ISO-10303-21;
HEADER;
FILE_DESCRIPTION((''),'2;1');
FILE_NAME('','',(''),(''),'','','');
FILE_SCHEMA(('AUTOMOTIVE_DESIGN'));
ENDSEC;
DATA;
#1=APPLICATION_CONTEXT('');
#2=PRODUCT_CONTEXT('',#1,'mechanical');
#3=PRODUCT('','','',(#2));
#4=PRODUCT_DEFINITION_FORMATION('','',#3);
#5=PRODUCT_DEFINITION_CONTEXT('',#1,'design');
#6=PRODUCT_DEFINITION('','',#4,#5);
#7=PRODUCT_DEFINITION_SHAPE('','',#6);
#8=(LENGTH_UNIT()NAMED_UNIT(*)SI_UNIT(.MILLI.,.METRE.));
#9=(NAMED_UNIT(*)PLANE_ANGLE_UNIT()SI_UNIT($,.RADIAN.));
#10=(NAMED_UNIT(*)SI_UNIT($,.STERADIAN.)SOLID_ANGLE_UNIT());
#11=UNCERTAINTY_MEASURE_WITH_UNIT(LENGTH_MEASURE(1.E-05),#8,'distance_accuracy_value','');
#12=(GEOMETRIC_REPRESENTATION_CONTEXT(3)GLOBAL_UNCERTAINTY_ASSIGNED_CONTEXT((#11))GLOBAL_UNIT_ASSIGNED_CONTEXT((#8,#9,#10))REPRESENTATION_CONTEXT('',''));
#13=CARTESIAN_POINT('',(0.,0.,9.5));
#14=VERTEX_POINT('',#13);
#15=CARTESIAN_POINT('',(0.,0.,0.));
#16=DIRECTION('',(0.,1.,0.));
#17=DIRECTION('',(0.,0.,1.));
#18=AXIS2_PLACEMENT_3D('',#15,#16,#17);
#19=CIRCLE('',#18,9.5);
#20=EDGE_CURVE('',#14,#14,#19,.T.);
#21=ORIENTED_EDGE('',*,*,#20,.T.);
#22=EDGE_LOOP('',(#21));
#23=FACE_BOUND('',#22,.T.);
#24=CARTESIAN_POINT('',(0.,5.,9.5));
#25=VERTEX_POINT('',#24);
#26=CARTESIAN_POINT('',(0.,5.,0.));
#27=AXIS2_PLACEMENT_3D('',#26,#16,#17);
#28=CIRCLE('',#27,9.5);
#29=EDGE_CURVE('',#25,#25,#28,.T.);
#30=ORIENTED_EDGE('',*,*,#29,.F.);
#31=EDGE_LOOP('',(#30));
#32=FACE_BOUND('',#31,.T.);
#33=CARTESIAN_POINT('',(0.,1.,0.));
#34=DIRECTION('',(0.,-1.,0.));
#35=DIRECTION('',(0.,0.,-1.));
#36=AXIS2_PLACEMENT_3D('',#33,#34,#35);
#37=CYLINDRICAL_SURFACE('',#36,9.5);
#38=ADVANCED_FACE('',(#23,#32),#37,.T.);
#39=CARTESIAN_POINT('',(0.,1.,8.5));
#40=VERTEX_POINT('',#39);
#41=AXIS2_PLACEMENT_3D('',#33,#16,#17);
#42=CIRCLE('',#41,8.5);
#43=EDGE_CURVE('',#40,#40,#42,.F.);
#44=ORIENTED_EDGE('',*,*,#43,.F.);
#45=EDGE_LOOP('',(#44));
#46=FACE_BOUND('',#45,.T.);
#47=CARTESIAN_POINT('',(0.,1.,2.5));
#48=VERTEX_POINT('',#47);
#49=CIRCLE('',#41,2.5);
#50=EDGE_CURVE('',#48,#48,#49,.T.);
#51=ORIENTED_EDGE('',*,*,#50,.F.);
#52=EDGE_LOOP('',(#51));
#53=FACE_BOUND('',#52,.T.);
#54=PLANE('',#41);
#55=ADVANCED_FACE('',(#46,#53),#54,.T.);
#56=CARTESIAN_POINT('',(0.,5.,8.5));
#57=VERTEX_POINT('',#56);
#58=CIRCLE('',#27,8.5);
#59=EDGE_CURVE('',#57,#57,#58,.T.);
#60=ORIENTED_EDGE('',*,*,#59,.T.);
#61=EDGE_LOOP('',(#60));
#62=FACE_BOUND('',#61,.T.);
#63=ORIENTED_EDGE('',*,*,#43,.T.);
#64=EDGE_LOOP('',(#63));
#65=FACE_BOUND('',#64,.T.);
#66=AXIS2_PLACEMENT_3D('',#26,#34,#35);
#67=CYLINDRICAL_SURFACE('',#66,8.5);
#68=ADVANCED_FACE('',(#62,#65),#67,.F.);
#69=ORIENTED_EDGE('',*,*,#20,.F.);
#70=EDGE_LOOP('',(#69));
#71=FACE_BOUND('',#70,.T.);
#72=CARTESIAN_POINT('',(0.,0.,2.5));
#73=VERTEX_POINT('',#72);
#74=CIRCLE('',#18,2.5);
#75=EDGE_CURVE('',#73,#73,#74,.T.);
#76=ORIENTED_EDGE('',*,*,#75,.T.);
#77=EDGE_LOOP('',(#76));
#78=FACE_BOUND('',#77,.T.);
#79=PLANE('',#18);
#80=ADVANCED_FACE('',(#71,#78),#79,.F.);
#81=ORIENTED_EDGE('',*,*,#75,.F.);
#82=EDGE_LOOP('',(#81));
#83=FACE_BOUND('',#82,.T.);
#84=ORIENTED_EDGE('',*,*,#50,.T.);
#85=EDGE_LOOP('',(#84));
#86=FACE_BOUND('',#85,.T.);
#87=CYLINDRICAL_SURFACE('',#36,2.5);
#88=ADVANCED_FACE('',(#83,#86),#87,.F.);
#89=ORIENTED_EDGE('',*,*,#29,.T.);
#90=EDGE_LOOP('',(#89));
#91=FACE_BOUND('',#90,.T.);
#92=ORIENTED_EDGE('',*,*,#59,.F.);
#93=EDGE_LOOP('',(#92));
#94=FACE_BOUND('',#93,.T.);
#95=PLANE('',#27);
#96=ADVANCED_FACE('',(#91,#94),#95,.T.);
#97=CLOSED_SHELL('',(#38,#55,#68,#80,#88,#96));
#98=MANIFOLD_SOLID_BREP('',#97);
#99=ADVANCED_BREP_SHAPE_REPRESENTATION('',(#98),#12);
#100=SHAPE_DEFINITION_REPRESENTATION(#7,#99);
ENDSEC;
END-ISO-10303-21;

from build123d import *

# Parameters (mm, degrees)
SKETCH1_R           = 9.5
SKETCH1_R_2         = 2.5
BOSS_EXTRUDE1_DEPTH = 1
SKETCH1_3_R         = 9.5
SKETCH1_3_R_2       = 8.5
BOSS_EXTRUDE2_DEPTH = 5


with BuildPart() as part:
    # Sketch1 → Boss-Extrude1 (new body)
    with BuildSketch(Plane(origin=(0, 0, 0), x_dir=(1, 0, 0), z_dir=(0, 1, 0))):
        Circle(SKETCH1_R)
        Circle(SKETCH1_R_2, mode=Mode.SUBTRACT)
    extrude(amount=BOSS_EXTRUDE1_DEPTH)

    # Sketch1<3> → Boss-Extrude2 (add)
    with BuildSketch(Plane(origin=(0, 0, 0), x_dir=(1, 0, 0), z_dir=(0, 1, 0))):
        Circle(SKETCH1_3_R)
        Circle(SKETCH1_3_R_2, mode=Mode.SUBTRACT)
    extrude(amount=BOSS_EXTRUDE2_DEPTH)


solid = part.part
